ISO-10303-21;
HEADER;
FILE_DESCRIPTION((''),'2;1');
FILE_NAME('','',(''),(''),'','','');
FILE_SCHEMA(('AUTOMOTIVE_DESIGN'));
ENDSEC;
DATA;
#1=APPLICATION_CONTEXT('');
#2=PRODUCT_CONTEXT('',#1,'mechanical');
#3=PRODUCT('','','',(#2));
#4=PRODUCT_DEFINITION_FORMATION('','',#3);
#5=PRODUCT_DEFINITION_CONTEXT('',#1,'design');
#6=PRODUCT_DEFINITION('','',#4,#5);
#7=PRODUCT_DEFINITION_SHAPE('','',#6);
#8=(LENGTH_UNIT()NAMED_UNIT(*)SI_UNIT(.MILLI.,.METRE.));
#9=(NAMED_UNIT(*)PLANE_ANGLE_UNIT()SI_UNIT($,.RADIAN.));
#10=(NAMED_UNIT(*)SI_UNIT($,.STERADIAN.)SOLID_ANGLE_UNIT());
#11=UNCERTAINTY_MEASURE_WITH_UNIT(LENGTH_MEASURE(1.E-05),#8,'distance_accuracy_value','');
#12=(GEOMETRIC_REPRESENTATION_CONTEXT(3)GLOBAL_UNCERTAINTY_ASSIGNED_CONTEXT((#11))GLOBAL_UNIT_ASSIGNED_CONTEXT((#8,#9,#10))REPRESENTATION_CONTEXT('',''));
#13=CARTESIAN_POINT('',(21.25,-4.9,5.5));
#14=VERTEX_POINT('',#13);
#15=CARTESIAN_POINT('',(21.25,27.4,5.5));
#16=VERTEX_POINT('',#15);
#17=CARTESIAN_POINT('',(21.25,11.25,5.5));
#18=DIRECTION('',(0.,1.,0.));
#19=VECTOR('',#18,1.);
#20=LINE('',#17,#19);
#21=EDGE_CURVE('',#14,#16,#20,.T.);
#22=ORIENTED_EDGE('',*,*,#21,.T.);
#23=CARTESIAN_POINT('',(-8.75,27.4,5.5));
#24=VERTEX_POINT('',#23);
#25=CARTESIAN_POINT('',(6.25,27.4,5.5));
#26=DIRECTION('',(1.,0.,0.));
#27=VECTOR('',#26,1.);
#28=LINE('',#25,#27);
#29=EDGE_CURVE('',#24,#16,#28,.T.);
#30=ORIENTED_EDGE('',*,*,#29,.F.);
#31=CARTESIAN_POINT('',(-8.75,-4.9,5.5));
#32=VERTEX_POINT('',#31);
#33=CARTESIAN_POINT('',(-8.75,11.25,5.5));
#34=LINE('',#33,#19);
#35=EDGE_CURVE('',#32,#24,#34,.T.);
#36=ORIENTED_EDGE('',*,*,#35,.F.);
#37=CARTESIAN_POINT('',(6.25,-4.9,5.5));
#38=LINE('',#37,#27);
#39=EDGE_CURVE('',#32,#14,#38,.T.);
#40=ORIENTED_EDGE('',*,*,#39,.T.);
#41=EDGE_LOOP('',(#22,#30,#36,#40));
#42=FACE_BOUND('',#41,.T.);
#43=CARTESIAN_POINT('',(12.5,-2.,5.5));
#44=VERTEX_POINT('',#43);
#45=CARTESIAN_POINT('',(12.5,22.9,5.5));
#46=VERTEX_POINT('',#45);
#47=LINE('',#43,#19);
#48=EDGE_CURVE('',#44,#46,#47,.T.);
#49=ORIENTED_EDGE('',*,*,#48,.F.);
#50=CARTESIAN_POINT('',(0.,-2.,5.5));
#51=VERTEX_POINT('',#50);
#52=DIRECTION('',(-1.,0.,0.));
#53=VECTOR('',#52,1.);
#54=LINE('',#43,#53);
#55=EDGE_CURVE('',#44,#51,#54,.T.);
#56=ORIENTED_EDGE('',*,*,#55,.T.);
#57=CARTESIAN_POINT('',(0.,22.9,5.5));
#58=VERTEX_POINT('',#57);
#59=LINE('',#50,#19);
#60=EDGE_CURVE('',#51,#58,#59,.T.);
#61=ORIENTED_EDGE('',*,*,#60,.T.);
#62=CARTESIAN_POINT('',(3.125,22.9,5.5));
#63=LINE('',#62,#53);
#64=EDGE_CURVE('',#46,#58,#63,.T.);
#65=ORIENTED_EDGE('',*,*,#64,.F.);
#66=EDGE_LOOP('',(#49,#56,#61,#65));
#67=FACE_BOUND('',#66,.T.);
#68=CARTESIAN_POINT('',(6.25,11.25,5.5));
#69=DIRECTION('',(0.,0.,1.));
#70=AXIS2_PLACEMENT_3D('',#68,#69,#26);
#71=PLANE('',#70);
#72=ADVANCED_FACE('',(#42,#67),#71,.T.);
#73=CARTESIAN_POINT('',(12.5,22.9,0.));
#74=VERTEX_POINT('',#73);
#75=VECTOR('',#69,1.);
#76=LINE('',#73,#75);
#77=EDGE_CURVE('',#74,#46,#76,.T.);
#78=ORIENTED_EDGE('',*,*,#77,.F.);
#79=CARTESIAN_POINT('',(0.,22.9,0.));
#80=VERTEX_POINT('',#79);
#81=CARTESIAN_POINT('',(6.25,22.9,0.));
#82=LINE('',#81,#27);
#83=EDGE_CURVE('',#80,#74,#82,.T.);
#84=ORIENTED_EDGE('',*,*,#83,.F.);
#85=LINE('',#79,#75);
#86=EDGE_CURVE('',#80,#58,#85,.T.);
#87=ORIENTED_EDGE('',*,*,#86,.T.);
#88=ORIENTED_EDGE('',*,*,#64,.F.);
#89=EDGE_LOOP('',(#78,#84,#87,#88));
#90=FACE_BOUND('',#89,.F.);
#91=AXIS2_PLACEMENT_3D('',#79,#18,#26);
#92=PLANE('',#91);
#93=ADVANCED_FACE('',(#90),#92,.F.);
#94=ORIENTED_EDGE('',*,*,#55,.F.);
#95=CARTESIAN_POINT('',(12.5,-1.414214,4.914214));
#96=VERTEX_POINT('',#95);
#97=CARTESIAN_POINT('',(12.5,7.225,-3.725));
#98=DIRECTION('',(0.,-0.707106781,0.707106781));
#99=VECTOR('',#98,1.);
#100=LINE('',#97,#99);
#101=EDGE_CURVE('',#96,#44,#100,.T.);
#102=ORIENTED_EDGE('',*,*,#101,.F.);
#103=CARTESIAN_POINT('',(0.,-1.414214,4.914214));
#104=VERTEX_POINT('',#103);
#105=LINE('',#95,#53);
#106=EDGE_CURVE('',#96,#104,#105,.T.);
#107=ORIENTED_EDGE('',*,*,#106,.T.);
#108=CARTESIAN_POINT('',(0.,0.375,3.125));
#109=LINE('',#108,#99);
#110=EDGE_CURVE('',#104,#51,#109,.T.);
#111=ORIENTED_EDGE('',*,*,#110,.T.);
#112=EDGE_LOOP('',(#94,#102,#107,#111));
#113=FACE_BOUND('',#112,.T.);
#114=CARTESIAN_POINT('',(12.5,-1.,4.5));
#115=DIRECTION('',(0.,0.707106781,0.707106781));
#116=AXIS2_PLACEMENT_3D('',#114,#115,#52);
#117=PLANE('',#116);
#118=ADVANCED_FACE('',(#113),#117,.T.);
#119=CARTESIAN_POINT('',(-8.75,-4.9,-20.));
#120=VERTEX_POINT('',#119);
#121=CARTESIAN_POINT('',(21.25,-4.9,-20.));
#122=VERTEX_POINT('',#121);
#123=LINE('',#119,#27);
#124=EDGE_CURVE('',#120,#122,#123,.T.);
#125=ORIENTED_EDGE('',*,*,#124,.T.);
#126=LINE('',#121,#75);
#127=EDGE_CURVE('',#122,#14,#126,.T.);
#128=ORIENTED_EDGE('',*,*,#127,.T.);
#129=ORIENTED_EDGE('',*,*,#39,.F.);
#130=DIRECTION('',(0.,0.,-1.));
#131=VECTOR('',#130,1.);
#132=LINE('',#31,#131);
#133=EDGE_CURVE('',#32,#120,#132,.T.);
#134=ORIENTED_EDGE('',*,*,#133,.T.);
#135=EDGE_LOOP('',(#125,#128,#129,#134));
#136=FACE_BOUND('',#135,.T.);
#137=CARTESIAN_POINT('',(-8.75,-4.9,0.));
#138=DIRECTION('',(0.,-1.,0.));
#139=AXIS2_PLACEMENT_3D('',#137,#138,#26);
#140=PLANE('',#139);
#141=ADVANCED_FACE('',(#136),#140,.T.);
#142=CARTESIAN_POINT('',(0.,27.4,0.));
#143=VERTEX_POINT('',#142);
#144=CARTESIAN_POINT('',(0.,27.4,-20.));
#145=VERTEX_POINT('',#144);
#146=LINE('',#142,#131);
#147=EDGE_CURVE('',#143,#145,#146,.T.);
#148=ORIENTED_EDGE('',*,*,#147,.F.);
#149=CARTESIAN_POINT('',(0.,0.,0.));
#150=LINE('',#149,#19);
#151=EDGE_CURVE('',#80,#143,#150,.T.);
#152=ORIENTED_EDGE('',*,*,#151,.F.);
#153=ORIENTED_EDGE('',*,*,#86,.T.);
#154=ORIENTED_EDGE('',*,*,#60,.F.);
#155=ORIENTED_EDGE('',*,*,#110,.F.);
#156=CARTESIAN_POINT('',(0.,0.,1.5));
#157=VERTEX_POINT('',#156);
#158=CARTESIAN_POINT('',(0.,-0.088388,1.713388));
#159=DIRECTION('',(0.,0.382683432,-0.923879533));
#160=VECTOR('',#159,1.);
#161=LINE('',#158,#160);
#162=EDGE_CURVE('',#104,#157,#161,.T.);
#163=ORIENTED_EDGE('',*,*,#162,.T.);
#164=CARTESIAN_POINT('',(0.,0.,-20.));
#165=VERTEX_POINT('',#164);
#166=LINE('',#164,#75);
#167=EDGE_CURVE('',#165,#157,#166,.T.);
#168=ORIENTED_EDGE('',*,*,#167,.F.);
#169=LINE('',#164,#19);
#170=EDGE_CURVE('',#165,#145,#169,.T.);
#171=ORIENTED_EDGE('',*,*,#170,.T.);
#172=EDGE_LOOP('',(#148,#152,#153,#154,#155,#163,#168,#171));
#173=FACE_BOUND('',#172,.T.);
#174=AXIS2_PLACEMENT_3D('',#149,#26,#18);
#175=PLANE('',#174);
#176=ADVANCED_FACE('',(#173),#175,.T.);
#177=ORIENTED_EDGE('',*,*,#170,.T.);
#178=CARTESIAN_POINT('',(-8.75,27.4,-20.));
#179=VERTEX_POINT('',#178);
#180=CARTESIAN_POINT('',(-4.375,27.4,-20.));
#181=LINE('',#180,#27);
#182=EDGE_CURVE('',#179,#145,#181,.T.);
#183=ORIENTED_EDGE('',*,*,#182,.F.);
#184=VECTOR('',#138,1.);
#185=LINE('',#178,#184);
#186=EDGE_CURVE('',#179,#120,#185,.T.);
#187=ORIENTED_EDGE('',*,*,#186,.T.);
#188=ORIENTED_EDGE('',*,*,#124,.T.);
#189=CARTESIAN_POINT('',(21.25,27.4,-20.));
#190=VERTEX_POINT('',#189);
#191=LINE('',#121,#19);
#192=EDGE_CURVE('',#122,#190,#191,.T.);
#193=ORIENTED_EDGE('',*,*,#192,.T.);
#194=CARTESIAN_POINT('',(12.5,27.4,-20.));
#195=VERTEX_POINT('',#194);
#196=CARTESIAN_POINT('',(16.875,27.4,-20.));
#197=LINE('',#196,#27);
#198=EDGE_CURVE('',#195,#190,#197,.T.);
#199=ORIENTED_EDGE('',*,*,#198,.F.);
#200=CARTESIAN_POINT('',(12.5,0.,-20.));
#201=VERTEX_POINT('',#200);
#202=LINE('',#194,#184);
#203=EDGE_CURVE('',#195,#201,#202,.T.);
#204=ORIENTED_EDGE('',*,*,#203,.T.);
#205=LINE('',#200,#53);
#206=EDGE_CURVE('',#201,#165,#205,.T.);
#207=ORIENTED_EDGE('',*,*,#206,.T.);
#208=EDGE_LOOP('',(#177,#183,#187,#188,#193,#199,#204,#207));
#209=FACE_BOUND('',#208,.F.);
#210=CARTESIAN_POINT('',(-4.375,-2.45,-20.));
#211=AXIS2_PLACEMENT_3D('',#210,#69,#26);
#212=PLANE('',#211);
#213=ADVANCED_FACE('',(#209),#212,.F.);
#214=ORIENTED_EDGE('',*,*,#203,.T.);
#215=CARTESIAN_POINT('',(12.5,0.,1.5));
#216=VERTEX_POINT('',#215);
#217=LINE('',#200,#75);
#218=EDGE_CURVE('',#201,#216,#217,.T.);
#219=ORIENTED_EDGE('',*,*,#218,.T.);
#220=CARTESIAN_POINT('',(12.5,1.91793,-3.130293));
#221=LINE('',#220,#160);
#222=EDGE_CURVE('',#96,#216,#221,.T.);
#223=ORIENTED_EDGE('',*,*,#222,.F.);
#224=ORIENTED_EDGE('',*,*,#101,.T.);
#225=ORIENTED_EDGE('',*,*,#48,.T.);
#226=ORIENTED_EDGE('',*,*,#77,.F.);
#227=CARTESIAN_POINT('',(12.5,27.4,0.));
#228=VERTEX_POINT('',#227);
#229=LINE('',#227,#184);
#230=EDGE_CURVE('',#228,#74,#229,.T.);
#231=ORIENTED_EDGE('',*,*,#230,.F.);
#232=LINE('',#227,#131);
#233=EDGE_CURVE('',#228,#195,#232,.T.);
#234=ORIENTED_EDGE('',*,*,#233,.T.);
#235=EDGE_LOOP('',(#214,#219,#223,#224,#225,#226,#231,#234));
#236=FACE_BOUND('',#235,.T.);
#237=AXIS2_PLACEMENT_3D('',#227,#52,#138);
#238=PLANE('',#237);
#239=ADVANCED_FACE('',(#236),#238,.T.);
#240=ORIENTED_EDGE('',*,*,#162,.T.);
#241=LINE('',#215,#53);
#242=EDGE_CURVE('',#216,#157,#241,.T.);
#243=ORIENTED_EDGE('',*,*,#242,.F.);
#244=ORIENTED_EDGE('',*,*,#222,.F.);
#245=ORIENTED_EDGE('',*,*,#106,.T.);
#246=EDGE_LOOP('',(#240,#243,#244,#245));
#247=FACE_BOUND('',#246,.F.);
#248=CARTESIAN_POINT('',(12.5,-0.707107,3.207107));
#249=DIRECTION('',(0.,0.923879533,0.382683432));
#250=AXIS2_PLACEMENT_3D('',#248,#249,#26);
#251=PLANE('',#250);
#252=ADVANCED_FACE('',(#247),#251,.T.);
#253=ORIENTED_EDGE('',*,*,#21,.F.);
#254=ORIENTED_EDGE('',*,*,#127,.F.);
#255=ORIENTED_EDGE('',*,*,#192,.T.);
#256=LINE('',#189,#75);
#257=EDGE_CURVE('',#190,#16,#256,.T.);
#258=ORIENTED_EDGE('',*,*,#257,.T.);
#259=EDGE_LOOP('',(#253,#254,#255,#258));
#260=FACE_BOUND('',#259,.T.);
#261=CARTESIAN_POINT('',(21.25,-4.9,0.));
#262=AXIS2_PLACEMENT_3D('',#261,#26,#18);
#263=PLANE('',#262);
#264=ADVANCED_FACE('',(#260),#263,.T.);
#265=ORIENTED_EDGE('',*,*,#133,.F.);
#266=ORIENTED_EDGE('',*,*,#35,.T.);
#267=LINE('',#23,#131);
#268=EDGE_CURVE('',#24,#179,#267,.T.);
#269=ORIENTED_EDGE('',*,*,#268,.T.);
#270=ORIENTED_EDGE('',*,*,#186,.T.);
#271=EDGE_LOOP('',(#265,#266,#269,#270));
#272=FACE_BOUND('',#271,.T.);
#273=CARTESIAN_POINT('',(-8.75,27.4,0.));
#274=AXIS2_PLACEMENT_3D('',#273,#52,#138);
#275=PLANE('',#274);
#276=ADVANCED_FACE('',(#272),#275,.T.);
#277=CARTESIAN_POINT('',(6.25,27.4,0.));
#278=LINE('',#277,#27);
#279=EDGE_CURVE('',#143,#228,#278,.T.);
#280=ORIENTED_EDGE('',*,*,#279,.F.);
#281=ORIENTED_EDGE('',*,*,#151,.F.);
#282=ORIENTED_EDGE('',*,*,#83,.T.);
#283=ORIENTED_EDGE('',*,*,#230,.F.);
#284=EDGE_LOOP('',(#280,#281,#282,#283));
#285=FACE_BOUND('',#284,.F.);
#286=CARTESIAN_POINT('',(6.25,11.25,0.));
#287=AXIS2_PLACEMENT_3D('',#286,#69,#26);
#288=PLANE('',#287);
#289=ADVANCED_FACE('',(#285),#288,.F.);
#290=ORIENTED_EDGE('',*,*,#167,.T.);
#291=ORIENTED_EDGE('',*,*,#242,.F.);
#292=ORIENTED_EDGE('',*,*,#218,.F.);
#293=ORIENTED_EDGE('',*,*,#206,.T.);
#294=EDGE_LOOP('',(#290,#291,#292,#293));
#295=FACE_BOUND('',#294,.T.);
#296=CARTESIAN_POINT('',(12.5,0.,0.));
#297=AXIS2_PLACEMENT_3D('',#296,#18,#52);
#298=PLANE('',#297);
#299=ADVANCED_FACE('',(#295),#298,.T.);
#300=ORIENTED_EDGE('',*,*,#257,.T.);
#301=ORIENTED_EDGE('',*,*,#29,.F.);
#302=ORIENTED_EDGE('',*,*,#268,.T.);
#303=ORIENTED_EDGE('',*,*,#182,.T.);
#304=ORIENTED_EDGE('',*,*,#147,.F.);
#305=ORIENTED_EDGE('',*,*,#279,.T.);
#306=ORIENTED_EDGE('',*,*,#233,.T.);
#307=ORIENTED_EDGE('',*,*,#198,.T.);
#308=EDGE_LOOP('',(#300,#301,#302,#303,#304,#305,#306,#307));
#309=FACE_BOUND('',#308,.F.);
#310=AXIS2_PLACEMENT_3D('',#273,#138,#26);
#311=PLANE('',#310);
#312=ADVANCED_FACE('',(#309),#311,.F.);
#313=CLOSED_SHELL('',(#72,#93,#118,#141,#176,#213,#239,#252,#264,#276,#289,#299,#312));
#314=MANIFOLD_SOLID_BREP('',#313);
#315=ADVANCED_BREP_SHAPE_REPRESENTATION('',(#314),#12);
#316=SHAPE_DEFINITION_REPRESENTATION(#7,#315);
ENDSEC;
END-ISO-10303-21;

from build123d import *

# Parameters (mm, degrees)
F1_W     = 30
F1_H     = 32.3
F2_DEPTH = 5.5
F0_W     = 12.5
F0_H     = 22.9
F3_DEPTH = 7
F4_W     = 8.75
F4_H     = 4.9
F4_W_2   = 12.5
F4_H_2   = 22.9
F4_H_3   = 4.5
F5_DEPTH = 20
F6_SIZE  = 2
F7_SIZE  = 2


with BuildPart() as f2:
    # F1 (on Top) → F2 (new body)
    with BuildSketch(Plane.XY):
        with Locations((6.25, 11.25)):
            Rectangle(F1_W, F1_H)
    extrude(amount=F2_DEPTH)

    # F0 (on Top) → F3 (cut)
    with BuildSketch(Plane.XY):
        with Locations((6.25, 11.45)):
            Rectangle(F0_W, F0_H)
    extrude(amount=F3_DEPTH, mode=Mode.SUBTRACT)

    # F4 (on Top) → F5 (join)
    with BuildSketch(Plane.XY):
        with Locations((-4.375, -2.45)):
            Rectangle(F4_W, F4_H)
        with Locations((6.25, -2.45)):
            Rectangle(F4_W_2, F4_H)
        with Locations((-4.375, 11.45)):
            Rectangle(F4_W, F4_H_2)
        with Locations((-4.375, 25.15)):
            Rectangle(F4_W, F4_H_3)
        with Locations((16.875, 11.45)):
            Rectangle(F4_W, F4_H_2)
        with Locations((16.875, -2.45)):
            Rectangle(F4_W, F4_H)
        with Locations((16.875, 25.15)):
            Rectangle(F4_W, F4_H_3)
    extrude(amount=-F5_DEPTH)

    # F6
    f6_edges = [f2.edges().sort_by_distance(p)[0] for p in [
        (6.25, 0, 5.5),
    ]]
    chamfer(f6_edges, length=F6_SIZE)

    # F7
    f7_edges = [f2.edges().sort_by_distance(p)[0] for p in [
        (6.25, 0, 3.5),
    ]]
    chamfer(f7_edges, length=F7_SIZE)


solid = f2.part
